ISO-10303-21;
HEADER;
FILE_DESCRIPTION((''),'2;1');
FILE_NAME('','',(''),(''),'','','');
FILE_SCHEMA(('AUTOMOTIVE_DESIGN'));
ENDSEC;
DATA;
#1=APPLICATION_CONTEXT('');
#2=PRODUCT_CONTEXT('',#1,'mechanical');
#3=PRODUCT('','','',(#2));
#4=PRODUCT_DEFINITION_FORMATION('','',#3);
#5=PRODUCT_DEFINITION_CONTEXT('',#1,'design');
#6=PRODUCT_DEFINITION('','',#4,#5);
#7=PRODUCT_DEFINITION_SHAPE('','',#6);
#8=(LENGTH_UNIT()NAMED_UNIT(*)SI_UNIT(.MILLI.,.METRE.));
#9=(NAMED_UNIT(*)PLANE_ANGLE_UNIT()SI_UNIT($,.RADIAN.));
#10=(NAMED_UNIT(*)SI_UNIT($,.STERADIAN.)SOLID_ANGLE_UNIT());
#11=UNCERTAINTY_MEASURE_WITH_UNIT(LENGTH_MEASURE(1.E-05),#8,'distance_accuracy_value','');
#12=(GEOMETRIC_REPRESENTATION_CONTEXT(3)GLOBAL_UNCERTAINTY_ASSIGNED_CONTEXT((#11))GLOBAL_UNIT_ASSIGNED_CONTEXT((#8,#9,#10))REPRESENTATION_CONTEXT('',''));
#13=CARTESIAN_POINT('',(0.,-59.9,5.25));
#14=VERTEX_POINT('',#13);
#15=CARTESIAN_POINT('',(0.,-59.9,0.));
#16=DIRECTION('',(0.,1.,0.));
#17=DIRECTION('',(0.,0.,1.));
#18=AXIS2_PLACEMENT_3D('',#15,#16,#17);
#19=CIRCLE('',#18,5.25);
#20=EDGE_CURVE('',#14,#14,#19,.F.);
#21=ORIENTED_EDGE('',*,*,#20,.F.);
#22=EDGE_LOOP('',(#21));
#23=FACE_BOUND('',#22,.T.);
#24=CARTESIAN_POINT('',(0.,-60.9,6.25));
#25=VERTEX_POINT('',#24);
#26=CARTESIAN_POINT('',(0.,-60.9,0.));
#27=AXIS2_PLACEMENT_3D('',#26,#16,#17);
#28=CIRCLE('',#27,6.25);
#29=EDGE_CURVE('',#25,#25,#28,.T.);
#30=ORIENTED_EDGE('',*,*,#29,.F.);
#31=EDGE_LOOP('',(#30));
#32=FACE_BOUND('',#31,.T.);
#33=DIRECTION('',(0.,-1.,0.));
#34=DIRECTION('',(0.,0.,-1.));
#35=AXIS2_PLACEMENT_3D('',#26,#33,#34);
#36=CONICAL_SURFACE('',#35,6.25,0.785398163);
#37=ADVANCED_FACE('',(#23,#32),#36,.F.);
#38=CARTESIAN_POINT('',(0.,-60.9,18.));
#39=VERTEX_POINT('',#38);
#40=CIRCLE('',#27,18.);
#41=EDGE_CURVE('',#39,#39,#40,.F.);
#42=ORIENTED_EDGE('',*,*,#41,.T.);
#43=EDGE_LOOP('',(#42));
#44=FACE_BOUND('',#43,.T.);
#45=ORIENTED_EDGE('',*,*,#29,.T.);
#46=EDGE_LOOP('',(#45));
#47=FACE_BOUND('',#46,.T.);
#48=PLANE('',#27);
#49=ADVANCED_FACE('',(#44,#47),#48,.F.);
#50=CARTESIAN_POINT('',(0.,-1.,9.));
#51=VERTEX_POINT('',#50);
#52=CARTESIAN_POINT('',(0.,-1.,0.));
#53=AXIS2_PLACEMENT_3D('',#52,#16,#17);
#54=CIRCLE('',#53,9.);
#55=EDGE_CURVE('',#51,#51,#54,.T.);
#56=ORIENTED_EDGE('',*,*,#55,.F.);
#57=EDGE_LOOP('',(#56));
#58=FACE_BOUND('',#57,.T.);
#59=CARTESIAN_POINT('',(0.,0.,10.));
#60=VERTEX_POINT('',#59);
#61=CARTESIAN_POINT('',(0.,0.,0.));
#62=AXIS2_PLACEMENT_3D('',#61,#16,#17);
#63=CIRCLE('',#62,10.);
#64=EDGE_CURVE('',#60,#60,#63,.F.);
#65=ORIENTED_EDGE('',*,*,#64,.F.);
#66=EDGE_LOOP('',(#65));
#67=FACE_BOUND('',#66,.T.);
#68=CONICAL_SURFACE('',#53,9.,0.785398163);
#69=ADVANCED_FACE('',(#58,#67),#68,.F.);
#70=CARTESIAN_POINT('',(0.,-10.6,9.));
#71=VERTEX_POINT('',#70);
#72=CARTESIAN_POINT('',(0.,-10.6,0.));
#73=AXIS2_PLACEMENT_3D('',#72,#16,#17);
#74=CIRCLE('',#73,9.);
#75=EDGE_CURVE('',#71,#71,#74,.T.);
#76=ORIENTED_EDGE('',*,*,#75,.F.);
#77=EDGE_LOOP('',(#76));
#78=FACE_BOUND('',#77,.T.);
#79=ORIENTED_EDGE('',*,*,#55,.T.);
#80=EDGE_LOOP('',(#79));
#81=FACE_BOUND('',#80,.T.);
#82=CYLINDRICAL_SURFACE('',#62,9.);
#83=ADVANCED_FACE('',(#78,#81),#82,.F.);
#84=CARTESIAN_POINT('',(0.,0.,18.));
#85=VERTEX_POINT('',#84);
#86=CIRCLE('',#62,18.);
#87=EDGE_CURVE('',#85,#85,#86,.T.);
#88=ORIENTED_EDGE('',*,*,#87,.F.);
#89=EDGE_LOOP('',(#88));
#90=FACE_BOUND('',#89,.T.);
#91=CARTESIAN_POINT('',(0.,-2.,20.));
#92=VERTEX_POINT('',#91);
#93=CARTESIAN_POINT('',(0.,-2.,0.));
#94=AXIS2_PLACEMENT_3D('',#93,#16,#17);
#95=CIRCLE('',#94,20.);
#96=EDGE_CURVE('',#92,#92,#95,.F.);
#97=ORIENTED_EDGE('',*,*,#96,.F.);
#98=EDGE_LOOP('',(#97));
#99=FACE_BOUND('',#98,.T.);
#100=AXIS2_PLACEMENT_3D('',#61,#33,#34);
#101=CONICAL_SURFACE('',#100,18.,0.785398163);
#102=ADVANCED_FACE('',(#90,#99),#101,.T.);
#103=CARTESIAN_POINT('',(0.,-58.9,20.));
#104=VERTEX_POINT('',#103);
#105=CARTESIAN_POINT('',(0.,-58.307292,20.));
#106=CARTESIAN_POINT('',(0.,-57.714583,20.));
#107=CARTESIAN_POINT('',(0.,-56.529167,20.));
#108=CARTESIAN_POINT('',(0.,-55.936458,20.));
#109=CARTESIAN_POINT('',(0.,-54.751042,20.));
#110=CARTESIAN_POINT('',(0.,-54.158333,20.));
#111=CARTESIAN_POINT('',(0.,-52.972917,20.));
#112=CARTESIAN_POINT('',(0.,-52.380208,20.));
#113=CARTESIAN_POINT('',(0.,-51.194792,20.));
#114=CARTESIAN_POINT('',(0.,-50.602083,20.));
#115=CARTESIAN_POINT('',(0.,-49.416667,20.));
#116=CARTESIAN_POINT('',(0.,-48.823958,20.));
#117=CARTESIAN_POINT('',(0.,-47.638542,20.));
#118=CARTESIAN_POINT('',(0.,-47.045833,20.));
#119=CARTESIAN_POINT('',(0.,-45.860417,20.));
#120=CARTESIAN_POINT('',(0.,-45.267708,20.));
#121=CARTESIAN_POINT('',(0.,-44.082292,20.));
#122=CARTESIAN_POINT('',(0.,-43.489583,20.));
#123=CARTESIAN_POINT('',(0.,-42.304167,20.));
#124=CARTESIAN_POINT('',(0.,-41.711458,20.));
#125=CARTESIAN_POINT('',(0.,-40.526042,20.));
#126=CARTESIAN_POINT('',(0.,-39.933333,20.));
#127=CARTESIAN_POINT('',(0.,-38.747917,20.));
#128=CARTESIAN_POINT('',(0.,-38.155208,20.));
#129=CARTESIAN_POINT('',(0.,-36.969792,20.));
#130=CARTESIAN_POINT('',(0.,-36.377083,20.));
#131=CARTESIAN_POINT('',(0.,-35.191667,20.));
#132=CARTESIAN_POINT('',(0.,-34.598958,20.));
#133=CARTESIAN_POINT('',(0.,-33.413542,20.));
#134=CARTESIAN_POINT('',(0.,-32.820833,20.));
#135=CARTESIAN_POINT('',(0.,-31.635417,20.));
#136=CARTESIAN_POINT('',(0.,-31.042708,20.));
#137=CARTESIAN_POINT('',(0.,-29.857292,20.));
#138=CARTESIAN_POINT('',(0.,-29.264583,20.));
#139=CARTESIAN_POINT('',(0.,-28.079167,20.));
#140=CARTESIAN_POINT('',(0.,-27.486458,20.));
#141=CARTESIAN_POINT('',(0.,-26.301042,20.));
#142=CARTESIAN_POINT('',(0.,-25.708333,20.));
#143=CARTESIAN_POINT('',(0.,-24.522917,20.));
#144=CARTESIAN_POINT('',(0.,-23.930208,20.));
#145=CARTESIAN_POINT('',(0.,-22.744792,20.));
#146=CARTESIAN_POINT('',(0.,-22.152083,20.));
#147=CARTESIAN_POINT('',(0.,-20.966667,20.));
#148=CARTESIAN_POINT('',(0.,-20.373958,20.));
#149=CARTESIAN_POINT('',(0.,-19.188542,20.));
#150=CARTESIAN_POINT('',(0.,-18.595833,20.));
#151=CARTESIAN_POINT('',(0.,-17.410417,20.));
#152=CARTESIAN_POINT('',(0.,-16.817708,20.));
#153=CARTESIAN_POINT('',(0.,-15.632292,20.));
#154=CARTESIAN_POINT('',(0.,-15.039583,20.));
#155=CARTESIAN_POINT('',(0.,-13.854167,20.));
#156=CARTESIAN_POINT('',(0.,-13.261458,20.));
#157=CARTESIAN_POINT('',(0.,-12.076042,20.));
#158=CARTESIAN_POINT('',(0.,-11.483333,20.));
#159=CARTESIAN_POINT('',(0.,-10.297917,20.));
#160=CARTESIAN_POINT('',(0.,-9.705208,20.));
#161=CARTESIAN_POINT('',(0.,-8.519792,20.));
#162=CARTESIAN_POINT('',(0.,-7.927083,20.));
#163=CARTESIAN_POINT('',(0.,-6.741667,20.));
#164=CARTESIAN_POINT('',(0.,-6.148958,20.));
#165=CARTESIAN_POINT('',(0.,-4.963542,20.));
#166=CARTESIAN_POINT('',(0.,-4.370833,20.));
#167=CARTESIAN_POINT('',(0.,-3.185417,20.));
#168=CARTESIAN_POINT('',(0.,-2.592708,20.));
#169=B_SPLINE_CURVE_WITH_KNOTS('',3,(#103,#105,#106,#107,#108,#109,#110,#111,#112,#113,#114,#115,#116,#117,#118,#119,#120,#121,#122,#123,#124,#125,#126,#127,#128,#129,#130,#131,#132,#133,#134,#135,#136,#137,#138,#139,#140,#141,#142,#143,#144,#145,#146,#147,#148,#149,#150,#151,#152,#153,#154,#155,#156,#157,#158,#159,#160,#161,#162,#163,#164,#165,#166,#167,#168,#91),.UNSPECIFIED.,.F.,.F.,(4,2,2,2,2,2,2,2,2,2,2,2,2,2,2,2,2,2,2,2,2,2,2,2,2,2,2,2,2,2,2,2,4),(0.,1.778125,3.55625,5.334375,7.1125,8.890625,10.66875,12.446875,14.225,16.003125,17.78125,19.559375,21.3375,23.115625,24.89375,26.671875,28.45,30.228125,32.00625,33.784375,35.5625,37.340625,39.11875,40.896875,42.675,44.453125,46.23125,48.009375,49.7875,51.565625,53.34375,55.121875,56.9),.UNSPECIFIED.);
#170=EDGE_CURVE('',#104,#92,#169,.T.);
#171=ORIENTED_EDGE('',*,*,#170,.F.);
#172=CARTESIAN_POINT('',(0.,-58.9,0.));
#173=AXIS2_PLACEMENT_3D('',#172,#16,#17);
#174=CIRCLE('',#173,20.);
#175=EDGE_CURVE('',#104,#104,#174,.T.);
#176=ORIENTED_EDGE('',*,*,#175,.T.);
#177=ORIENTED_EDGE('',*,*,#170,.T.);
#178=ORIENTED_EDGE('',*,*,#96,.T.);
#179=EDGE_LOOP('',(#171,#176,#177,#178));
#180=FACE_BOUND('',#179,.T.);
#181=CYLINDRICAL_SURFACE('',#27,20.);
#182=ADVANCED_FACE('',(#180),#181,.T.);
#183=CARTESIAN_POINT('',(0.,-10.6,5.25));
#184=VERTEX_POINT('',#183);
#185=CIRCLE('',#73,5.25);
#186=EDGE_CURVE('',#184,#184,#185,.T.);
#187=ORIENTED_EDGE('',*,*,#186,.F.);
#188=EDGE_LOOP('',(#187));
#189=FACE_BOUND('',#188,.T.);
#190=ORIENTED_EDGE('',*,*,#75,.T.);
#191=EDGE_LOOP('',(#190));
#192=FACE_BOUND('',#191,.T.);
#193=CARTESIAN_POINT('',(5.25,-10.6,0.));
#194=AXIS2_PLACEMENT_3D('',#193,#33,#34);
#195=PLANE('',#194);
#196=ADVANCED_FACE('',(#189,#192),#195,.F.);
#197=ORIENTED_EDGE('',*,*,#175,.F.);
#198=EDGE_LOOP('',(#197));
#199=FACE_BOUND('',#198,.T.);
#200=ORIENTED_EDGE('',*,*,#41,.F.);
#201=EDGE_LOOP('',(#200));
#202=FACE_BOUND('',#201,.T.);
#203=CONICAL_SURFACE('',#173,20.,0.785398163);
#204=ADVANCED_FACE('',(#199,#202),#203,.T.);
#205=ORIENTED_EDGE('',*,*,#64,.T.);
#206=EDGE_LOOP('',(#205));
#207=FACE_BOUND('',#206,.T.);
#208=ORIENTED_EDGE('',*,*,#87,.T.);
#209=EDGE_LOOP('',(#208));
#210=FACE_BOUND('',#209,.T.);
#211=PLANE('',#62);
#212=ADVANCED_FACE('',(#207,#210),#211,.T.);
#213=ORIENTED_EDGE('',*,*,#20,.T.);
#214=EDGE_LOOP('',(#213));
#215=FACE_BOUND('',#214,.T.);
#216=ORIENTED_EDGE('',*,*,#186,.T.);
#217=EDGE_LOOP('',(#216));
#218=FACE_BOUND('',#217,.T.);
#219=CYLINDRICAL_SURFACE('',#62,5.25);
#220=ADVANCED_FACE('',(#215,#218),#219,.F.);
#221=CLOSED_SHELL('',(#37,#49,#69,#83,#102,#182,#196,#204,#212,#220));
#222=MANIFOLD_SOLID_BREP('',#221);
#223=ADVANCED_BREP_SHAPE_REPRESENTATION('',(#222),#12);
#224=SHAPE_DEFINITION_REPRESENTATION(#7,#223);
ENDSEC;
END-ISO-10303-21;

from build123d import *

# Parameters (mm, degrees)
SKETCH1_R                                            = 20
BOSS_EXTRUDE1_DEPTH                                  = 60.9
CBORE_FOR_M10_HEX_SOCKET_HEAD_CAP_SCREW1_D           = 10.5
CBORE_FOR_M10_HEX_SOCKET_HEAD_CAP_SCREW1_CBORE_D     = 18
CBORE_FOR_M10_HEX_SOCKET_HEAD_CAP_SCREW1_CBORE_DEPTH = 10.6
CHAMFER1_SIZE                                        = 2
CHAMFER2_SIZE                                        = 1
CHAMFER3_SIZE                                        = 1


with BuildPart() as part:
    # Sketch1 → Boss-Extrude1 (new body)
    with BuildSketch(Plane(origin=(0, 0, 0), x_dir=(1, 0, 0), z_dir=(0, 1, 0))):
        with Locations(Location((0, 0, 0), (0, 0, 270))):
            Circle(SKETCH1_R)
    extrude(amount=-BOSS_EXTRUDE1_DEPTH)

    # CBORE for M10 Hex Socket Head Cap Screw1 (through all)
    with Locations(Plane(origin=(0, 0, 0), x_dir=(1, 0, 0), z_dir=(0, 1, 0))):
        with Locations((0, 0)):
            CounterBoreHole(CBORE_FOR_M10_HEX_SOCKET_HEAD_CAP_SCREW1_D / 2, CBORE_FOR_M10_HEX_SOCKET_HEAD_CAP_SCREW1_CBORE_D / 2, CBORE_FOR_M10_HEX_SOCKET_HEAD_CAP_SCREW1_CBORE_DEPTH)

    # Chamfer1
    chamfer1_edges = [part.edges().sort_by_distance(p)[0] for p in [
        (0, 0, -20),
        (0, -60.9, -20),
    ]]
    chamfer(chamfer1_edges, length=CHAMFER1_SIZE)

    # Chamfer2
    chamfer2_edges = [part.edges().sort_by_distance(p)[0] for p in [
        (-9, 0, 0),
    ]]
    chamfer(chamfer2_edges, length=CHAMFER2_SIZE)

    # Chamfer3
    chamfer3_edges = [part.edges().sort_by_distance(p)[0] for p in [
        (5.25, -60.9, 0),
    ]]
    chamfer(chamfer3_edges, length=CHAMFER3_SIZE)


solid = part.part
